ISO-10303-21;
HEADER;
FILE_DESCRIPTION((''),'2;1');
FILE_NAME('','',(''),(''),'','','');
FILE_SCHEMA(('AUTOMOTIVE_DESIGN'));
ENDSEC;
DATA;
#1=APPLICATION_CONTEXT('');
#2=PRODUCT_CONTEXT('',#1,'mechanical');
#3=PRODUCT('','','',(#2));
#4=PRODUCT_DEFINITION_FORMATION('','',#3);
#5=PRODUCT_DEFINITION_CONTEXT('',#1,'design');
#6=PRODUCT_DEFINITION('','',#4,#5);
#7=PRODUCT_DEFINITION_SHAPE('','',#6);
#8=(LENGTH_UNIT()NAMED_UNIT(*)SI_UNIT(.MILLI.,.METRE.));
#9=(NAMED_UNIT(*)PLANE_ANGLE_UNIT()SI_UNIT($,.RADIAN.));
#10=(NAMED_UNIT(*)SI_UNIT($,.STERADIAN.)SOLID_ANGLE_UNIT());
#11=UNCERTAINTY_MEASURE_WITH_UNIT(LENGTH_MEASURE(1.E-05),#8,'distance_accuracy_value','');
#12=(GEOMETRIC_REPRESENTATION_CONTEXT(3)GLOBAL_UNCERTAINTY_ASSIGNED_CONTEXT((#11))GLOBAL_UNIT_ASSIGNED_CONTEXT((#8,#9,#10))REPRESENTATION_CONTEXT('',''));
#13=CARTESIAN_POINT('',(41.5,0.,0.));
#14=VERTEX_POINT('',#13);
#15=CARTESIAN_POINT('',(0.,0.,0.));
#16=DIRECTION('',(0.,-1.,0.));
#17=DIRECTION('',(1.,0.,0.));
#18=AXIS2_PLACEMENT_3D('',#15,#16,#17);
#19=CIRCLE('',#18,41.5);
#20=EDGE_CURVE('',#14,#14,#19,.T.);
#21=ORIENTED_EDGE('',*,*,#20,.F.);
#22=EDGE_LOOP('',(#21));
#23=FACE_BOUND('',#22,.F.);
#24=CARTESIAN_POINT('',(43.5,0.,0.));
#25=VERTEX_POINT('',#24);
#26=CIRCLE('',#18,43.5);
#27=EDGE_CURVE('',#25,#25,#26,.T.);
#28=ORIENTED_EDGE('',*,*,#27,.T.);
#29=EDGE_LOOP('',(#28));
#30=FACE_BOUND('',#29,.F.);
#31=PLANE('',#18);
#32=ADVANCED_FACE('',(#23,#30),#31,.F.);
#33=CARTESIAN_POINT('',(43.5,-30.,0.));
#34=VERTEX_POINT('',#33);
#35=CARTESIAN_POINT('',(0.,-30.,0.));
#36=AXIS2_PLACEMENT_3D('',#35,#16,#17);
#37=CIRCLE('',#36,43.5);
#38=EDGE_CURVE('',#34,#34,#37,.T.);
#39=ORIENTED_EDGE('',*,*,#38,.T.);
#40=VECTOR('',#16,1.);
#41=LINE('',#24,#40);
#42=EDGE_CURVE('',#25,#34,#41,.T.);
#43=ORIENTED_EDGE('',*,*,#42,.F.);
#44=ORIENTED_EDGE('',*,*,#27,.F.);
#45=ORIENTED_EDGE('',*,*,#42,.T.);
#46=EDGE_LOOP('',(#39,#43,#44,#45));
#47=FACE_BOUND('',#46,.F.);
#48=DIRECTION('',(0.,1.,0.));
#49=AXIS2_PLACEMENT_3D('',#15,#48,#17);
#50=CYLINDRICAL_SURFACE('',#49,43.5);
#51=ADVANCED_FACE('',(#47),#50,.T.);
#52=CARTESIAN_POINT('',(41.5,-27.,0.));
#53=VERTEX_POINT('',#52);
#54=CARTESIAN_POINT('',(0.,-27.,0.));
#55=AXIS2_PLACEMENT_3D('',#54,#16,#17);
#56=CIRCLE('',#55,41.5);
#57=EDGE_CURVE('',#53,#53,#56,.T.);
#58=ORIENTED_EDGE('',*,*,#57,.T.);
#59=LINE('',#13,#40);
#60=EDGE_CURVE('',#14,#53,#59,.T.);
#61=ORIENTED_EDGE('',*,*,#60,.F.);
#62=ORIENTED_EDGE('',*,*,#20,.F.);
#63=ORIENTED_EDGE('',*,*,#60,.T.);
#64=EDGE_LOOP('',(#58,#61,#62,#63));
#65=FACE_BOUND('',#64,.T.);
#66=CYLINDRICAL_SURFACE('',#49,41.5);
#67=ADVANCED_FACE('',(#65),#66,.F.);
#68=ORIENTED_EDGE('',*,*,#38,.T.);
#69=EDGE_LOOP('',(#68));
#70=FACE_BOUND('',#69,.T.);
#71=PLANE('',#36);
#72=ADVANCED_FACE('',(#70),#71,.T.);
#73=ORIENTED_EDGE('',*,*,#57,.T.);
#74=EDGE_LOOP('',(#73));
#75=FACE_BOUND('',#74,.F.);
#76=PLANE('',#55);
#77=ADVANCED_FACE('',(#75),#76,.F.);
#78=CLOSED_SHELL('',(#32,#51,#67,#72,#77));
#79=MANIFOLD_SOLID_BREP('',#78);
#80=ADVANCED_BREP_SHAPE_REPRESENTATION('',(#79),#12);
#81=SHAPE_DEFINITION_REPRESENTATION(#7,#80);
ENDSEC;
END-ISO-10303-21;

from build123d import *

# Parameters (mm, degrees)
F0_R     = 43.5
F0_R_2   = 41.5
F1_DEPTH = 30
F2_DEPTH = 27


with BuildPart() as f1:
    # F0 (on Front) → F1 (new body)
    with BuildSketch(Plane.XZ):
        Circle(F0_R)
        Circle(F0_R_2, mode=Mode.SUBTRACT)
        Circle(F0_R_2)
    extrude(amount=F1_DEPTH)

    # F0 (on Front) → F2 (cut)
    with BuildSketch(Plane.XZ):
        Circle(F0_R_2)
    extrude(amount=F2_DEPTH, mode=Mode.SUBTRACT)


solid = f1.part
